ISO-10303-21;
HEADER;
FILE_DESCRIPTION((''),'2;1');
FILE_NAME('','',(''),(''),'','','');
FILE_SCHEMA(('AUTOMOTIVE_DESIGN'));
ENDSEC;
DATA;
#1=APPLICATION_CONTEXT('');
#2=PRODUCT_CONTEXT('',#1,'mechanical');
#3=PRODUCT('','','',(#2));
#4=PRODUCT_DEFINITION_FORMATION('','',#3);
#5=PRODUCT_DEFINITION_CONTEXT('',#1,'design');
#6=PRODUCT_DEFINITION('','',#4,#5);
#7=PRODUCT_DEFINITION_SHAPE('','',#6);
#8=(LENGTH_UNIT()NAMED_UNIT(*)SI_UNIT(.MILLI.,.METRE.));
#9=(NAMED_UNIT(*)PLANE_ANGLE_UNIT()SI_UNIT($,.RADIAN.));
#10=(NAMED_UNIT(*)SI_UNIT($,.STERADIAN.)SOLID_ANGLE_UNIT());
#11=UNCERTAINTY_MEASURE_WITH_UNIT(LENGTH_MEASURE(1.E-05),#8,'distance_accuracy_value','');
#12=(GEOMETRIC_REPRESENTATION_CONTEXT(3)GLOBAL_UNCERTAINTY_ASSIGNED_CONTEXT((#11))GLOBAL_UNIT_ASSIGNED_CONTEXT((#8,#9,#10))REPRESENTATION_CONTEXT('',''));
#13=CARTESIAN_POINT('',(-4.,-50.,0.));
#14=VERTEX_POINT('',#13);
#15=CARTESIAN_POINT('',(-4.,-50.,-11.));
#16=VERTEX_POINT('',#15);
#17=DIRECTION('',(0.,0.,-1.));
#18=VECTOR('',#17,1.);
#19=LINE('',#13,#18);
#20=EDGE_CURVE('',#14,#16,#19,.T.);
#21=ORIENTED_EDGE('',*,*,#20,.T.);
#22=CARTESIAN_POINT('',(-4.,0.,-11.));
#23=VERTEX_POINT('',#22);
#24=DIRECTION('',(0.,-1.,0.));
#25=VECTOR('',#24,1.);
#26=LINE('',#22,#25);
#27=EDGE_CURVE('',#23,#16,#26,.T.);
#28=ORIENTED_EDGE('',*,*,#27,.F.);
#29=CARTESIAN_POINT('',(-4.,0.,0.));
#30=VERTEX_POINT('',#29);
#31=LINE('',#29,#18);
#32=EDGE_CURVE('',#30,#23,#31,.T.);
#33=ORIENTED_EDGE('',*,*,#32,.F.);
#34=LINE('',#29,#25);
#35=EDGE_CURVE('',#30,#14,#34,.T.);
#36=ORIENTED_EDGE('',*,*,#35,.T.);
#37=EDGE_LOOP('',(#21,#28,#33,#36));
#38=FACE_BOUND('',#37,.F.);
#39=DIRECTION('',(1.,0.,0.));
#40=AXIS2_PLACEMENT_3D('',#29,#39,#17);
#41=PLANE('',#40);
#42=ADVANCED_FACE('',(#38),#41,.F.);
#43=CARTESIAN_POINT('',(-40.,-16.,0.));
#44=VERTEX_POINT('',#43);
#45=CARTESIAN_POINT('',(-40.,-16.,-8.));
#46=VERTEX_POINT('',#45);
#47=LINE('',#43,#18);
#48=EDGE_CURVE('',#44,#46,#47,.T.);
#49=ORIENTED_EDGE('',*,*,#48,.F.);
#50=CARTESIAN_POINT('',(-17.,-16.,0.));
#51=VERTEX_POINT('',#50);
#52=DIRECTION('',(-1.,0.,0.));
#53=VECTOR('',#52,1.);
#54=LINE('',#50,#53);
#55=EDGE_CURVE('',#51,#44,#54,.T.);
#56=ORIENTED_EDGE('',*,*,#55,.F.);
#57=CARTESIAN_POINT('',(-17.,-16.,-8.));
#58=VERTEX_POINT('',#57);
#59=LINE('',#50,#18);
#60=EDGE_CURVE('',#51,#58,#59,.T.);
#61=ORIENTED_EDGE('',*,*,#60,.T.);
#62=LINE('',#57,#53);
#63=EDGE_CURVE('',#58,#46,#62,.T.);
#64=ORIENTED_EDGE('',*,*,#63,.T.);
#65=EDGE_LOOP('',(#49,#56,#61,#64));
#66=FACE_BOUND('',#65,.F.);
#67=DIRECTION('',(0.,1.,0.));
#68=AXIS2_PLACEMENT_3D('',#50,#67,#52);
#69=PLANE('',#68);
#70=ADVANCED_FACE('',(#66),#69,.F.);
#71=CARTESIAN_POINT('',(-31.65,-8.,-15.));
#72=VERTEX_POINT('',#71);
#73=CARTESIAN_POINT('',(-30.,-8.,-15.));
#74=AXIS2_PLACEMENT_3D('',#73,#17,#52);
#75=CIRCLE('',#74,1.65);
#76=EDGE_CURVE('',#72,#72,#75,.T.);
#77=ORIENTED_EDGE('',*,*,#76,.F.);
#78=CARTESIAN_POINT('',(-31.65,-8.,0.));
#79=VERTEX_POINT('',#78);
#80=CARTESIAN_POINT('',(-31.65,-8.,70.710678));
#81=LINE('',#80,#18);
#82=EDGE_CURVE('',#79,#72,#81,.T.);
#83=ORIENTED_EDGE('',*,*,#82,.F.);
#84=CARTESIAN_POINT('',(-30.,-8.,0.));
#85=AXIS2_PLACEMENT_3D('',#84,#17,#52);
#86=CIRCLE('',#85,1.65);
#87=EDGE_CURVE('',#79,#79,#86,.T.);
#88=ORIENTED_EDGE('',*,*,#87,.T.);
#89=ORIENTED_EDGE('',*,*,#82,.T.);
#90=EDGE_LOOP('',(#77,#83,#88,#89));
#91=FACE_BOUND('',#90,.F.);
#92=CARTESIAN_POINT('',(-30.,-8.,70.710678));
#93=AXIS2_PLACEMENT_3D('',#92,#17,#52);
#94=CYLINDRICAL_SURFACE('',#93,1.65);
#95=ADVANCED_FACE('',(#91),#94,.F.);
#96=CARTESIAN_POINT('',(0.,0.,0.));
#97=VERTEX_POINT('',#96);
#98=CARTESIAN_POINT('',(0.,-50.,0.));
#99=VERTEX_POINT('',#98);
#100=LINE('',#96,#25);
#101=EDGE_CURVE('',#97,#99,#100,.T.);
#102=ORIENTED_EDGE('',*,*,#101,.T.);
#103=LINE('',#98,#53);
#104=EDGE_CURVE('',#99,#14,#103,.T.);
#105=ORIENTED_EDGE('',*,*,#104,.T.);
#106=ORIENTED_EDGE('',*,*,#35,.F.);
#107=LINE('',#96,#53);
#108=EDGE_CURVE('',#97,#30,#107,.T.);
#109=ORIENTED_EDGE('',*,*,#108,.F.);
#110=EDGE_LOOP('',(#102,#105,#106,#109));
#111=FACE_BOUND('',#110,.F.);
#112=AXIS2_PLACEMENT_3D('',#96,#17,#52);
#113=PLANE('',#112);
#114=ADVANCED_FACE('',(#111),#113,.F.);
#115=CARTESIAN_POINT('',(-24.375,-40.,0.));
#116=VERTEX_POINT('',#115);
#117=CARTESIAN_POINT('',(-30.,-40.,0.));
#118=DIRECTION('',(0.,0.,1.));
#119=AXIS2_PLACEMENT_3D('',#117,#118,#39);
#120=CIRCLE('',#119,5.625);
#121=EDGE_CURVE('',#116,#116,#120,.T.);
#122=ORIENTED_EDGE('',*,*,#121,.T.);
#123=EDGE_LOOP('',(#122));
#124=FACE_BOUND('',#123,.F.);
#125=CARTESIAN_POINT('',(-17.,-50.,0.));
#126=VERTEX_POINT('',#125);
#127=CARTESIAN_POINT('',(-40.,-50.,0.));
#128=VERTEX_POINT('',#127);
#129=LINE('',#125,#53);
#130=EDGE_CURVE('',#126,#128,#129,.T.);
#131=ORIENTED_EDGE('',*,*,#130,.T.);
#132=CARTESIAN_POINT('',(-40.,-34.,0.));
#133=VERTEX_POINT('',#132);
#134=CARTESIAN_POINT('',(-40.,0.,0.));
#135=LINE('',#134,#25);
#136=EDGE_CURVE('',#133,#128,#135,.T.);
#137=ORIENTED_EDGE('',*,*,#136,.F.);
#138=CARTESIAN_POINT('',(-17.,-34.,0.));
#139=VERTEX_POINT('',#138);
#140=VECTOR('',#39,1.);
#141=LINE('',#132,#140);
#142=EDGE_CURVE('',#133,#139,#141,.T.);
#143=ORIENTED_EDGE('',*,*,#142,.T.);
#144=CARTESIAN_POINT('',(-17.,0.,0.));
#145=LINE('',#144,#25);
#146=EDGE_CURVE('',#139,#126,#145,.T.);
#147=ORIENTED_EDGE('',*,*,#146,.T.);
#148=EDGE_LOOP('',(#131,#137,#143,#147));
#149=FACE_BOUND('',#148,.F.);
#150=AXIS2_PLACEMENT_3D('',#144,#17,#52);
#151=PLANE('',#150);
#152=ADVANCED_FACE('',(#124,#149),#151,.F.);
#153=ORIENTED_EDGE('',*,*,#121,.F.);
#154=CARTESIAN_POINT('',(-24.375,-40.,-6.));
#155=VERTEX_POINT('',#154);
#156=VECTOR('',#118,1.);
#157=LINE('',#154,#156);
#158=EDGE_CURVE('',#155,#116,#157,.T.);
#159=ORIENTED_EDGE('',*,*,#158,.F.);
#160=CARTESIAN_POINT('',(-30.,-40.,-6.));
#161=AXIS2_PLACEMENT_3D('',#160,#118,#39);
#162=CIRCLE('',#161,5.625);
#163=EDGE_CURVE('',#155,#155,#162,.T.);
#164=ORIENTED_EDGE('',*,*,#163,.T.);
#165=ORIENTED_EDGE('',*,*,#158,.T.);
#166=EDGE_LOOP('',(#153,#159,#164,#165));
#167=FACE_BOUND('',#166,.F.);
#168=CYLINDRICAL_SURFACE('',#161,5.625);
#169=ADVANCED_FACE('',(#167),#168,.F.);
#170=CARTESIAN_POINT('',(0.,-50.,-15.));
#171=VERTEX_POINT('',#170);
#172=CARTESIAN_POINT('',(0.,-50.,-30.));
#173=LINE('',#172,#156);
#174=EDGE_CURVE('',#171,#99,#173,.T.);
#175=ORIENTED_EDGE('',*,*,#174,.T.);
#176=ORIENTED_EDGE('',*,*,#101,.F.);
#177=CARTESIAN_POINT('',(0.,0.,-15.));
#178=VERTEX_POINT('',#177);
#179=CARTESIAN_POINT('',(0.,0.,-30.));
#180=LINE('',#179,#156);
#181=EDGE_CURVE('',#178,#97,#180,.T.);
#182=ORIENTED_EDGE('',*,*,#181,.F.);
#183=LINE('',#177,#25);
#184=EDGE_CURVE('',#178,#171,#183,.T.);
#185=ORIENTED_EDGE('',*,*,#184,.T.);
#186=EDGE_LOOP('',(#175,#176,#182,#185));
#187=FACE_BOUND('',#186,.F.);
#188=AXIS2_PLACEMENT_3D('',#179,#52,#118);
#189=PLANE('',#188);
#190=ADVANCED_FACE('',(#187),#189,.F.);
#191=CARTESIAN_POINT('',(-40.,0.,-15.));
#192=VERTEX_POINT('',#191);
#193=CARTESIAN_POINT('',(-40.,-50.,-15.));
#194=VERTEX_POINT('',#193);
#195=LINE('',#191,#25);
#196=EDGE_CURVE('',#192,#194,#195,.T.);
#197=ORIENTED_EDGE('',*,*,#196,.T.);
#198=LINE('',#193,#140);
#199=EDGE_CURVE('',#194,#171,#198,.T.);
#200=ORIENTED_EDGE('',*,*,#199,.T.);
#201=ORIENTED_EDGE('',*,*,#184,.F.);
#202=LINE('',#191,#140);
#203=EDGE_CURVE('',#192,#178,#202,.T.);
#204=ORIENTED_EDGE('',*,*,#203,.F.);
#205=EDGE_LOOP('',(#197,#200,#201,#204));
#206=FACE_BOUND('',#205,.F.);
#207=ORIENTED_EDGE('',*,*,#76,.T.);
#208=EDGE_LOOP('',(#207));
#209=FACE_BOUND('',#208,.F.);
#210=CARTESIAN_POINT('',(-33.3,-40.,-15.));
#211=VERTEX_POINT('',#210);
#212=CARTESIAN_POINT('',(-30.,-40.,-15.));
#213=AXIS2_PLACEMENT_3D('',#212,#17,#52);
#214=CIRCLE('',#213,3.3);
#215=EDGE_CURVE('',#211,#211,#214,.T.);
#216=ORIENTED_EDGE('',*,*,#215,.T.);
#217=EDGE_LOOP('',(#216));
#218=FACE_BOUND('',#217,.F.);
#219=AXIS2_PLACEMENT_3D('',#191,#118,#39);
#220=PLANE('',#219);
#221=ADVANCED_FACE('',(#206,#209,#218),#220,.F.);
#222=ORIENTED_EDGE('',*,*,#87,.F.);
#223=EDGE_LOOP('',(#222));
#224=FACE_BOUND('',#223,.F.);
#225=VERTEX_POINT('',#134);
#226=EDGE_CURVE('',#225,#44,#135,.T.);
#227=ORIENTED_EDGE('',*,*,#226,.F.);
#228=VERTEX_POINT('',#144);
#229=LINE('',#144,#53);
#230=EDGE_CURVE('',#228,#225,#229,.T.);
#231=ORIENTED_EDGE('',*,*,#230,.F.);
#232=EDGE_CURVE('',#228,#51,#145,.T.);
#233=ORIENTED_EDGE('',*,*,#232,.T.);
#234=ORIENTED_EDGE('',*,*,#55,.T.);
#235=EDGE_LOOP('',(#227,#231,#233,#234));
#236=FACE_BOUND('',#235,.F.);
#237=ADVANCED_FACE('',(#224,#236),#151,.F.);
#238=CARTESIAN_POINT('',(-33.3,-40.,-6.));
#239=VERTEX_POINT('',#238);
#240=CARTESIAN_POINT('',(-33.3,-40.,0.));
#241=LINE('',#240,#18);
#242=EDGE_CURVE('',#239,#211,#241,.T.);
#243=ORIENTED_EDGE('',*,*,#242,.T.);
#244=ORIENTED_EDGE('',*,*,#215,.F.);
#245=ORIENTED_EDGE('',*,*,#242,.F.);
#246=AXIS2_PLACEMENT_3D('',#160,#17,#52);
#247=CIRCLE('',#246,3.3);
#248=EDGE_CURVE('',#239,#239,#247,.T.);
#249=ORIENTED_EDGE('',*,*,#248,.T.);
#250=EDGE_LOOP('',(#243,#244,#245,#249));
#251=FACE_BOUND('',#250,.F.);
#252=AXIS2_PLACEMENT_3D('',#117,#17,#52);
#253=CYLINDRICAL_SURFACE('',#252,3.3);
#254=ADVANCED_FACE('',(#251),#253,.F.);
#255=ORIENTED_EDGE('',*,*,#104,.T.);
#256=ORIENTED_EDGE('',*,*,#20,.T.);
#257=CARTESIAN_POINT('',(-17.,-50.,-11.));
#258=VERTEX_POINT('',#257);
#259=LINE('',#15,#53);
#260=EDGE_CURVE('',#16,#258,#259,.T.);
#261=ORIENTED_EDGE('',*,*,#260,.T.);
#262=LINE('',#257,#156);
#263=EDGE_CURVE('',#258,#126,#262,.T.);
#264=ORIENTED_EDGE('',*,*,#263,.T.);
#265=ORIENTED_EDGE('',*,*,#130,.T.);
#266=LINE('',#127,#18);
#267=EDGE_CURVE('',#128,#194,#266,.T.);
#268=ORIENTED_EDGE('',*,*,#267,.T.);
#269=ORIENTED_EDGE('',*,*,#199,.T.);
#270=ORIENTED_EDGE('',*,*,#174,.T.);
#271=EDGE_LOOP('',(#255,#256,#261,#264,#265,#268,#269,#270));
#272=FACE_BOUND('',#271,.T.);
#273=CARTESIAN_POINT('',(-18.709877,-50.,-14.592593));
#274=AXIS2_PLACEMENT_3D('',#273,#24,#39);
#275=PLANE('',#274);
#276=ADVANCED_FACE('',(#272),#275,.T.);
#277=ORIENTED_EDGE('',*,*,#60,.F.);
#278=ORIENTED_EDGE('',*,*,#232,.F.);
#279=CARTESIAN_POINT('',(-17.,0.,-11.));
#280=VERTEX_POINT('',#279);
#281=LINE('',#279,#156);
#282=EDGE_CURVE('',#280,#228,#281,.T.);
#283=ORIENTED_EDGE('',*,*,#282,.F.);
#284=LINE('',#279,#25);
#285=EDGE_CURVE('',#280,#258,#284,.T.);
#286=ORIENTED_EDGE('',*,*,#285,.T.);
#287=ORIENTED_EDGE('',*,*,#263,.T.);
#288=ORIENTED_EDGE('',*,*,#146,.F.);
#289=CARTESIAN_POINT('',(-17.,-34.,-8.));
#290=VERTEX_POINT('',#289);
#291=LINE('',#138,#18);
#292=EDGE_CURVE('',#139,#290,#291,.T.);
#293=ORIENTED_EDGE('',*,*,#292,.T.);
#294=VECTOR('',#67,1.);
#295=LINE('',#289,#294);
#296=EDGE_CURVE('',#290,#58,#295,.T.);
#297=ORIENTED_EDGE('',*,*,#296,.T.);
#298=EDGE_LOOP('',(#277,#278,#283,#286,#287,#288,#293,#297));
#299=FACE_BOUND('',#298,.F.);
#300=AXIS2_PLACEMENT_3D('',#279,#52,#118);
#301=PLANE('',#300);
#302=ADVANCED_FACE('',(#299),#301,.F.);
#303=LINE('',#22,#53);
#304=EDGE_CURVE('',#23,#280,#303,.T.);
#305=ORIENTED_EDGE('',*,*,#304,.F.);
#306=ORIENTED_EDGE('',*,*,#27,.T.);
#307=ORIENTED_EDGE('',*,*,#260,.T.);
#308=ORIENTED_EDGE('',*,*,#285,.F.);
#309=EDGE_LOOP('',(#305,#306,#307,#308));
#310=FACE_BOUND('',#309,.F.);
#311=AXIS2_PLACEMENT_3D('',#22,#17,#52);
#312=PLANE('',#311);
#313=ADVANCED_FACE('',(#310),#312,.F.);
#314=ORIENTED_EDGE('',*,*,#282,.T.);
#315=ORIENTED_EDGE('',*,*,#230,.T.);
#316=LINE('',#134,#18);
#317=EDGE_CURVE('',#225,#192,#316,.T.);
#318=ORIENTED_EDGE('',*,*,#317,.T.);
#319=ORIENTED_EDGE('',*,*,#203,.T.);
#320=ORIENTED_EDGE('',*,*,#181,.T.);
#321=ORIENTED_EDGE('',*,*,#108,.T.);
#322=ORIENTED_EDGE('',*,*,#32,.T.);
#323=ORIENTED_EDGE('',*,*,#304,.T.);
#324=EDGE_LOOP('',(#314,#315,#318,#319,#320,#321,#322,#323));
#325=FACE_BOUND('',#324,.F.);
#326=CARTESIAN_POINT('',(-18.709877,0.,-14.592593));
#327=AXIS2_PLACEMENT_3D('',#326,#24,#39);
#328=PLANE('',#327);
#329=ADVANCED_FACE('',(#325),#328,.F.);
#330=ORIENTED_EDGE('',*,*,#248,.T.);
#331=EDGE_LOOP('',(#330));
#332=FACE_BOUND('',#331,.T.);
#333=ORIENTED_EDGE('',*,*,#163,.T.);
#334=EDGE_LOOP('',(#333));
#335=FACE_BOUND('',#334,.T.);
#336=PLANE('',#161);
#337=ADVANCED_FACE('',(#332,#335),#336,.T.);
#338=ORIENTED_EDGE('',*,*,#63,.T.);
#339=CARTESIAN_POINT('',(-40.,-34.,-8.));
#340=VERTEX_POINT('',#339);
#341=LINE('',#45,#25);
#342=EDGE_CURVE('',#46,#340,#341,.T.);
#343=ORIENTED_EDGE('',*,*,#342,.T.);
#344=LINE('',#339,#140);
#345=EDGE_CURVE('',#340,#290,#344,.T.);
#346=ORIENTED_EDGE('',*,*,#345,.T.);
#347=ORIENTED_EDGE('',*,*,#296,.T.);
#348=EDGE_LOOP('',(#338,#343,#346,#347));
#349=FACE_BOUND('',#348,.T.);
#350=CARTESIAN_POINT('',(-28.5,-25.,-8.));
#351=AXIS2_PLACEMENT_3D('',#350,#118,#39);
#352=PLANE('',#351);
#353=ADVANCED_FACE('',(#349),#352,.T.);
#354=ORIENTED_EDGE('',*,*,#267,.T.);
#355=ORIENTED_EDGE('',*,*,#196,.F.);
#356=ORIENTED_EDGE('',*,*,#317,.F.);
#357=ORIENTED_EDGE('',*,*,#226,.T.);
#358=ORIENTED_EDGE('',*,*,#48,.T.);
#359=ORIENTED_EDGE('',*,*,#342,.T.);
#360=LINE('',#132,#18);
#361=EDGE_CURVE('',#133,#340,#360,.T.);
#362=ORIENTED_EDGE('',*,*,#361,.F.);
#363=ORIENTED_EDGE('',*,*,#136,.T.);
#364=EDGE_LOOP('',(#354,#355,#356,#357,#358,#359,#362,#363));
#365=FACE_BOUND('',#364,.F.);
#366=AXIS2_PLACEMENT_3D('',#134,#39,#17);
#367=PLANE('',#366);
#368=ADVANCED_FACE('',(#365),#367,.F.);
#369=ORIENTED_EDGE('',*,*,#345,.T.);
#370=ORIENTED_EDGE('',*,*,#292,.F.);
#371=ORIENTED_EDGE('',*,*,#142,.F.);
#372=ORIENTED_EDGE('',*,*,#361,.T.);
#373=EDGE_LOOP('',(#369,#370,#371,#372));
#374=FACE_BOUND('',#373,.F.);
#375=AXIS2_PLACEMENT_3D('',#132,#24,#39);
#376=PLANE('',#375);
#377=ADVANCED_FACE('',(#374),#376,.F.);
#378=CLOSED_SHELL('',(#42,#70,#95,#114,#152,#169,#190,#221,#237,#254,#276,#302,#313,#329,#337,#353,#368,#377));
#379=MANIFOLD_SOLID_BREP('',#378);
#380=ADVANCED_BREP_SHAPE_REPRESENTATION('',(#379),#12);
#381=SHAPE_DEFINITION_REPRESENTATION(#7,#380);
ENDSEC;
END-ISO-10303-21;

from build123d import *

# Parameters (mm, degrees)
F1_DEPTH       = 50
F3_DEPTH       = 8
F5_D           = 6.6
F5_CBORE_D     = 11.25
F5_CBORE_DEPTH = 6
F7_D           = 3.3
F8_DEPTH       = 15


with BuildPart() as f1:
    # F0 (on Front) → F1 (new body)
    with BuildSketch(Plane.XZ):
        Polygon((0, -30), (0, 0), (-4, 0), (-4, -11), (-17, -11), (-17, 0), (-40, 0), (-40, -30), align=None)
    extrude(amount=F1_DEPTH)

    # F2 (on face) → F3 (cut)
    with BuildSketch(Plane.XY):
        Polygon((-40, -16), (-40, -25), (-40, -34), (-17, -34), (-17, -16), align=None)
    extrude(amount=-F3_DEPTH, mode=Mode.SUBTRACT)

    # F5 (through all)
    with Locations(Plane.XY):
        with Locations((-30, -40)):
            CounterBoreHole(F5_D / 2, F5_CBORE_D / 2, F5_CBORE_DEPTH)

    # F7 (through all)
    with Locations(Plane.XY):
        with Locations((-30, -8)):
            Hole(F7_D / 2)

    # F8 (cut): a face of the model
    f8_faces = [f1.faces().sort_by_distance(p)[0] for p in [
        (-19.7815033531, -24.8120928837, -30),
    ]]
    extrude(f8_faces, amount=-F8_DEPTH, mode=Mode.SUBTRACT)


solid = f1.part
